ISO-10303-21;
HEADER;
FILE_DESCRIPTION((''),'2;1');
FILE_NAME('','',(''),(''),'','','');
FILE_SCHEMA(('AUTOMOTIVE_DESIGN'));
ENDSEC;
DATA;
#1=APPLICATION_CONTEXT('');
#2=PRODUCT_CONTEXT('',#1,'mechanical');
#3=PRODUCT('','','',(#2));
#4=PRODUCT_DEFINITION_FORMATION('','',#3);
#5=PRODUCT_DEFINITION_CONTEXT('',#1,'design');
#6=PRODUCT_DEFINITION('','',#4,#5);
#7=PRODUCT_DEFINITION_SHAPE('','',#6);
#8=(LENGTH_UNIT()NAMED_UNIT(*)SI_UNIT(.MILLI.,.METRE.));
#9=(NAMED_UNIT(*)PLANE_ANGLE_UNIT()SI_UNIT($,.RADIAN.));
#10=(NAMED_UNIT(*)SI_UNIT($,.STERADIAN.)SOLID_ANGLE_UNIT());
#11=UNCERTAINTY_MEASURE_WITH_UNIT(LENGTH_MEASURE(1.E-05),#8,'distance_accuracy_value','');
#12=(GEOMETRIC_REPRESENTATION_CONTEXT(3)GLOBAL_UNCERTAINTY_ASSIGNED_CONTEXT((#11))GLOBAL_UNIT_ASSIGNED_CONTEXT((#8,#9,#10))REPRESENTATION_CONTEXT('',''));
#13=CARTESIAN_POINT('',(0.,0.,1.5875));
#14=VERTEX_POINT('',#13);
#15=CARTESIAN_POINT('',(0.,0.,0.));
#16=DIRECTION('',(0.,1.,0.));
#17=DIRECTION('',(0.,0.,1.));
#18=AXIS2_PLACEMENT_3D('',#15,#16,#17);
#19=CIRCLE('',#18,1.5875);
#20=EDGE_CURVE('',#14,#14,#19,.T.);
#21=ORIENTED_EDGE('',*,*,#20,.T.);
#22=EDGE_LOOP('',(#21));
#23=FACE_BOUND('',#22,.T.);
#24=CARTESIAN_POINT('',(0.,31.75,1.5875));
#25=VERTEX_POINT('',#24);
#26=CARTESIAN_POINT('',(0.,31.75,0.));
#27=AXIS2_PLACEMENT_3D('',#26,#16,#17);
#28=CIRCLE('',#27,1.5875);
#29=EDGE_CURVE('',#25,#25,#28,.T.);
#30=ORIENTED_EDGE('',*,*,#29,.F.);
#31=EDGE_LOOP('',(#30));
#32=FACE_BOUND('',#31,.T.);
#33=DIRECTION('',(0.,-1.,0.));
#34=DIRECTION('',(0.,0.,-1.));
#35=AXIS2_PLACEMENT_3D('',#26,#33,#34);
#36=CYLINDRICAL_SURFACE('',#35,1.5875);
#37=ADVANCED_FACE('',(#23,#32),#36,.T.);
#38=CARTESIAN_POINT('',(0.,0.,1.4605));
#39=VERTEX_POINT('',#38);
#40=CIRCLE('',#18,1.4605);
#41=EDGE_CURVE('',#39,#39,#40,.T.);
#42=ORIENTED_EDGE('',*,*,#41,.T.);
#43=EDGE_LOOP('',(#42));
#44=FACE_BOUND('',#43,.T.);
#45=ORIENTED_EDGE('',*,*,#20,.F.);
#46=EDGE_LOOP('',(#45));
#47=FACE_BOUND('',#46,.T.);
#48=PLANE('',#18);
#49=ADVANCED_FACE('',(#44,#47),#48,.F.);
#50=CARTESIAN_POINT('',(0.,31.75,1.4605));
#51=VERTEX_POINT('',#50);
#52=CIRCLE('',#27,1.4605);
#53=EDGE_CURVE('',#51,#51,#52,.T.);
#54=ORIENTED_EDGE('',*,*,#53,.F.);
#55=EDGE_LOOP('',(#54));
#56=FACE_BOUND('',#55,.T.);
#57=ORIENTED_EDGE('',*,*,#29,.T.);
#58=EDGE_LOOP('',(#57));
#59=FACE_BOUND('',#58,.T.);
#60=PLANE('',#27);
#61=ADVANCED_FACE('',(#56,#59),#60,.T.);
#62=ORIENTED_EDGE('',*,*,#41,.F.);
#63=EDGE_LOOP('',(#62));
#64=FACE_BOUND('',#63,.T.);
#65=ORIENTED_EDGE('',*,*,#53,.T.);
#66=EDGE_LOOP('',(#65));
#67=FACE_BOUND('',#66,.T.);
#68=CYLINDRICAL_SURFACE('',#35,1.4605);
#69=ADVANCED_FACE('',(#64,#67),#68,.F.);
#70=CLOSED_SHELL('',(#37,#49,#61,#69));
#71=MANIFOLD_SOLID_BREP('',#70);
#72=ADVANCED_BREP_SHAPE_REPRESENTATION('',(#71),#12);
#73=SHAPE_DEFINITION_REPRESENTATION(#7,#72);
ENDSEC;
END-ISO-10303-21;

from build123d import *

# Parameters (mm, degrees)
SKETCH1_R           = 1.5875
BOSS_EXTRUDE1_DEPTH = 31.75
SHELL4_T            = -0.127


with BuildPart() as part:
    # Sketch1 → Boss-Extrude1 (new body)
    with BuildSketch(Plane(origin=(0, 0, 0), x_dir=(1, 0, 0), z_dir=(0, 1, 0))):
        with Locations(Location((0, 0, 0), (0, 0, 270))):
            Circle(SKETCH1_R)
    extrude(amount=BOSS_EXTRUDE1_DEPTH)

    # Shell4
    shell4_openings = [part.faces().sort_by_distance(p)[0] for p in [
        (0, 31.75, 0),
        (0, 0, 0),
    ]]
    offset(amount=SHELL4_T, openings=shell4_openings, kind=Kind.INTERSECTION)


solid = part.part
